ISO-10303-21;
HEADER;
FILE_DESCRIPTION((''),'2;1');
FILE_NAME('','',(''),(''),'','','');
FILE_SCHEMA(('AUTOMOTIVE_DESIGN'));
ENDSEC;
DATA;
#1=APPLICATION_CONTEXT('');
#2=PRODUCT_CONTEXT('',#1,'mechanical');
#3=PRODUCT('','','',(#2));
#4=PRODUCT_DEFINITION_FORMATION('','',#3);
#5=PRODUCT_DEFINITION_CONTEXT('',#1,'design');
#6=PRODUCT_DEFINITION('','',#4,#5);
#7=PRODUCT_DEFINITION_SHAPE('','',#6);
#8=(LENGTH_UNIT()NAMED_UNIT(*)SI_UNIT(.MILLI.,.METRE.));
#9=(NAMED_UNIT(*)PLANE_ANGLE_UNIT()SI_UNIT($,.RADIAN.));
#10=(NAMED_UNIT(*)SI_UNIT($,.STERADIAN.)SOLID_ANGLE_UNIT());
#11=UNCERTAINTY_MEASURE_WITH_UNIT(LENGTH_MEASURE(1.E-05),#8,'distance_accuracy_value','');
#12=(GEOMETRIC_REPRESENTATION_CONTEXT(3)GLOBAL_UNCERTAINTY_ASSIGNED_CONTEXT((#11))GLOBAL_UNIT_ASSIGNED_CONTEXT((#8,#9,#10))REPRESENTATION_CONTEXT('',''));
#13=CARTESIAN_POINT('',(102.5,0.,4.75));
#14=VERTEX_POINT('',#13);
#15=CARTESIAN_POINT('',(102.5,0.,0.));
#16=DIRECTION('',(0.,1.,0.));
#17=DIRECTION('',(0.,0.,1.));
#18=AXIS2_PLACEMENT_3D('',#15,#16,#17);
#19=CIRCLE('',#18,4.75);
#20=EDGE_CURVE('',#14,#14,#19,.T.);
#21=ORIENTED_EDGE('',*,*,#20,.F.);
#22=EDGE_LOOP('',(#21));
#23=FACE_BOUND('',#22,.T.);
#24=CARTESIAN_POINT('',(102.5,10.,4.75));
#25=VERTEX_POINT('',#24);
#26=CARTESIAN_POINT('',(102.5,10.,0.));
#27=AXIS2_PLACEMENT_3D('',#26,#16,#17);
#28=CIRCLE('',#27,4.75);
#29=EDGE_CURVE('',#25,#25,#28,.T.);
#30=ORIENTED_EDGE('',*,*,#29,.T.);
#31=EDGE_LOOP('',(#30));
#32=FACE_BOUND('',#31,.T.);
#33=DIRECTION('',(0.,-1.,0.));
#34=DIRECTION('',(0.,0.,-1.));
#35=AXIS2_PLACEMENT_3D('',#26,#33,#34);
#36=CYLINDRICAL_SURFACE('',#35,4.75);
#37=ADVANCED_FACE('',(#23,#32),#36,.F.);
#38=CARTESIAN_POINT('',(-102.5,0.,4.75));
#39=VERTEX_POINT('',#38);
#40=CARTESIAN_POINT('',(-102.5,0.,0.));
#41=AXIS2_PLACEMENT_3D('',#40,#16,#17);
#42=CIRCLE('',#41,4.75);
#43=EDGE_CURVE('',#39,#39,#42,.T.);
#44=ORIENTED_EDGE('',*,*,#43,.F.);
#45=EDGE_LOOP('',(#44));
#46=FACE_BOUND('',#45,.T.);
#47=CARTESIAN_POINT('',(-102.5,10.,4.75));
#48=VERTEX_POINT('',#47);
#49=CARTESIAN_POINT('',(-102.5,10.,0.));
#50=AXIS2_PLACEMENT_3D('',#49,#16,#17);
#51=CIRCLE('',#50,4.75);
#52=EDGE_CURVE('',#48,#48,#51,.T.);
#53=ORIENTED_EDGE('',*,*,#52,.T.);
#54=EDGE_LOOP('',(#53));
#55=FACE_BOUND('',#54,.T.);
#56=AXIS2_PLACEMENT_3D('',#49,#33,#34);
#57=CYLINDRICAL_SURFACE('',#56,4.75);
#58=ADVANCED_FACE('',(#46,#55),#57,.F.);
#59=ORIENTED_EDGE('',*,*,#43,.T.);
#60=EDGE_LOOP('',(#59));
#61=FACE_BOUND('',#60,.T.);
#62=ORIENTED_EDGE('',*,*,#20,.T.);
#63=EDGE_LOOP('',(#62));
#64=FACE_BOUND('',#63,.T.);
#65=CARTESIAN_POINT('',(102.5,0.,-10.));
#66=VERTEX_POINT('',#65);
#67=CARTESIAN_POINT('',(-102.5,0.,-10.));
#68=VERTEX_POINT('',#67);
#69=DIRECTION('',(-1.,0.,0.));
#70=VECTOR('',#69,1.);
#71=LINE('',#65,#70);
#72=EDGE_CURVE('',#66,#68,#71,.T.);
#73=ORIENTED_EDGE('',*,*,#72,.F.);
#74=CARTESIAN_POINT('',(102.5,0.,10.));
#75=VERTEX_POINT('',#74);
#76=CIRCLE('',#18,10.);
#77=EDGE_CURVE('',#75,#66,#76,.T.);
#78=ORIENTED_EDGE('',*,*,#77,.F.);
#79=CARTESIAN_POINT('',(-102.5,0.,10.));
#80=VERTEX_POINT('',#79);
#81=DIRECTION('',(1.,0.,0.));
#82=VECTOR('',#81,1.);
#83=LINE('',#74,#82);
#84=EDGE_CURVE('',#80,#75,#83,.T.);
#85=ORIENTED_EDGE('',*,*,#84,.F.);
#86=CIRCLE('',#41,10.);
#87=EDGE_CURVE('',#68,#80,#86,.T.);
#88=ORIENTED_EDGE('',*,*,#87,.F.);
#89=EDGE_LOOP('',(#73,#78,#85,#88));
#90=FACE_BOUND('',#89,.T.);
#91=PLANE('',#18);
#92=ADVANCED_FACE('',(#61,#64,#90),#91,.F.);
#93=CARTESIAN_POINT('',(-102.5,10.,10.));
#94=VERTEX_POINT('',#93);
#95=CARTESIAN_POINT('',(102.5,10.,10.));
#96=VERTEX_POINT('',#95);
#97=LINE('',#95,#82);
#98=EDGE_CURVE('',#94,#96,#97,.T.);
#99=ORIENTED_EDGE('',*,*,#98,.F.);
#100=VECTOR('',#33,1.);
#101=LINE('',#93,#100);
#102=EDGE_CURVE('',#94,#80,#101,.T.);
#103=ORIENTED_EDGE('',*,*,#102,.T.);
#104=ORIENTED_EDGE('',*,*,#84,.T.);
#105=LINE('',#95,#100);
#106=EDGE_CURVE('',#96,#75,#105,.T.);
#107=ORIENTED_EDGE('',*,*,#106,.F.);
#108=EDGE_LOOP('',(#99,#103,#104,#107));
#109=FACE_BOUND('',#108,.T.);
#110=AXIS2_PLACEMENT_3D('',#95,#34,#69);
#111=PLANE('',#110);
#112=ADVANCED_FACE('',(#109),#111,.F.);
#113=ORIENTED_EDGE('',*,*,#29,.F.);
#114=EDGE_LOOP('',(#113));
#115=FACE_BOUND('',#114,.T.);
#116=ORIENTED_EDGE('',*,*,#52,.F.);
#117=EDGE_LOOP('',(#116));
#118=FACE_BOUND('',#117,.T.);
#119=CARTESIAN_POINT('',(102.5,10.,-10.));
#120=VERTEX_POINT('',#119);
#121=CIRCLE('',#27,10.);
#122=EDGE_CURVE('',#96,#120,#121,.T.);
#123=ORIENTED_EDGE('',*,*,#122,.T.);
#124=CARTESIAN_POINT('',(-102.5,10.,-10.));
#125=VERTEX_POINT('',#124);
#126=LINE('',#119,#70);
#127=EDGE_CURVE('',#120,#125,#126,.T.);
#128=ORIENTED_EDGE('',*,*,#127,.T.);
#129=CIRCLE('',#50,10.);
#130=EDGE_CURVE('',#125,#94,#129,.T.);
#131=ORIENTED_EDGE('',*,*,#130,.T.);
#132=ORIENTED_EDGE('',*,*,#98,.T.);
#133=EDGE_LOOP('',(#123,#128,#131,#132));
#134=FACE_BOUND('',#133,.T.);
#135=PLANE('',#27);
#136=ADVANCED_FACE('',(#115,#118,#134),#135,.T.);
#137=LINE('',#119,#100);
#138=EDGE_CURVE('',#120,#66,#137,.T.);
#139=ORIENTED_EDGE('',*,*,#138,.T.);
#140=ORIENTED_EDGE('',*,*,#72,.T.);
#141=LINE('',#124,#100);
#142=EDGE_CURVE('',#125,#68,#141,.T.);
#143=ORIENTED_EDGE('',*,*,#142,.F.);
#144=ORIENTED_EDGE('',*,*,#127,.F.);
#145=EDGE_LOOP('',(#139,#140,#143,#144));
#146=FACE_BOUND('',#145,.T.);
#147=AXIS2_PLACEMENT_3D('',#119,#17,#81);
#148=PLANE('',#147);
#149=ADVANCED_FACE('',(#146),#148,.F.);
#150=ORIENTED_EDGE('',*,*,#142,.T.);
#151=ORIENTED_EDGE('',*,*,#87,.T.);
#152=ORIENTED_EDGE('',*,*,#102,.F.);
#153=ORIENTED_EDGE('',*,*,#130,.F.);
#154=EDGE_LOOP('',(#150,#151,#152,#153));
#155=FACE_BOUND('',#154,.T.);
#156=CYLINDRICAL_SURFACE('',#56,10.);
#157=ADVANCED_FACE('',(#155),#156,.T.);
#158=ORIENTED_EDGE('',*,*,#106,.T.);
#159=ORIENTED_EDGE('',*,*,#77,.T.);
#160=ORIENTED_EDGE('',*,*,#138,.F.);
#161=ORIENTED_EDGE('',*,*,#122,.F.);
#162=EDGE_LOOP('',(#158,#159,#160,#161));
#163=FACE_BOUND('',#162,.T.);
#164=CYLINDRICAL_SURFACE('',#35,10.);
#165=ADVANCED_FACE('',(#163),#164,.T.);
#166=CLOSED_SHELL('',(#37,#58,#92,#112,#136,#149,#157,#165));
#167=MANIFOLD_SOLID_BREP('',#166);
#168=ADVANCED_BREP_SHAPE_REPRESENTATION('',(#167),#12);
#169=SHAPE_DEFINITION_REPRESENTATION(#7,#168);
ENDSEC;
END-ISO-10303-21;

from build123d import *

# Parameters (mm, degrees)
SKETCH1_R           = 4.75
BOSS_EXTRUDE1_DEPTH = 10


with BuildPart() as part:
    # Sketch1 → Boss-Extrude1 (new body)
    with BuildSketch(Plane(origin=(0, 0, 0), x_dir=(1, 0, 0), z_dir=(0, 1, 0))):
        with BuildLine():
            Line((102.5, -10), (-102.5, -10))
            ThreePointArc((-102.5, -10), (-112.5, 0), (-102.5, 10))
            Line((-102.5, 10), (102.5, 10))
            ThreePointArc((102.5, 10), (112.5, 0), (102.5, -10))
        make_face()
        with Locations((-102.5, 0)):
            Circle(SKETCH1_R, mode=Mode.SUBTRACT)
        with Locations((102.5, 0)):
            Circle(SKETCH1_R, mode=Mode.SUBTRACT)
    extrude(amount=BOSS_EXTRUDE1_DEPTH)


solid = part.part
